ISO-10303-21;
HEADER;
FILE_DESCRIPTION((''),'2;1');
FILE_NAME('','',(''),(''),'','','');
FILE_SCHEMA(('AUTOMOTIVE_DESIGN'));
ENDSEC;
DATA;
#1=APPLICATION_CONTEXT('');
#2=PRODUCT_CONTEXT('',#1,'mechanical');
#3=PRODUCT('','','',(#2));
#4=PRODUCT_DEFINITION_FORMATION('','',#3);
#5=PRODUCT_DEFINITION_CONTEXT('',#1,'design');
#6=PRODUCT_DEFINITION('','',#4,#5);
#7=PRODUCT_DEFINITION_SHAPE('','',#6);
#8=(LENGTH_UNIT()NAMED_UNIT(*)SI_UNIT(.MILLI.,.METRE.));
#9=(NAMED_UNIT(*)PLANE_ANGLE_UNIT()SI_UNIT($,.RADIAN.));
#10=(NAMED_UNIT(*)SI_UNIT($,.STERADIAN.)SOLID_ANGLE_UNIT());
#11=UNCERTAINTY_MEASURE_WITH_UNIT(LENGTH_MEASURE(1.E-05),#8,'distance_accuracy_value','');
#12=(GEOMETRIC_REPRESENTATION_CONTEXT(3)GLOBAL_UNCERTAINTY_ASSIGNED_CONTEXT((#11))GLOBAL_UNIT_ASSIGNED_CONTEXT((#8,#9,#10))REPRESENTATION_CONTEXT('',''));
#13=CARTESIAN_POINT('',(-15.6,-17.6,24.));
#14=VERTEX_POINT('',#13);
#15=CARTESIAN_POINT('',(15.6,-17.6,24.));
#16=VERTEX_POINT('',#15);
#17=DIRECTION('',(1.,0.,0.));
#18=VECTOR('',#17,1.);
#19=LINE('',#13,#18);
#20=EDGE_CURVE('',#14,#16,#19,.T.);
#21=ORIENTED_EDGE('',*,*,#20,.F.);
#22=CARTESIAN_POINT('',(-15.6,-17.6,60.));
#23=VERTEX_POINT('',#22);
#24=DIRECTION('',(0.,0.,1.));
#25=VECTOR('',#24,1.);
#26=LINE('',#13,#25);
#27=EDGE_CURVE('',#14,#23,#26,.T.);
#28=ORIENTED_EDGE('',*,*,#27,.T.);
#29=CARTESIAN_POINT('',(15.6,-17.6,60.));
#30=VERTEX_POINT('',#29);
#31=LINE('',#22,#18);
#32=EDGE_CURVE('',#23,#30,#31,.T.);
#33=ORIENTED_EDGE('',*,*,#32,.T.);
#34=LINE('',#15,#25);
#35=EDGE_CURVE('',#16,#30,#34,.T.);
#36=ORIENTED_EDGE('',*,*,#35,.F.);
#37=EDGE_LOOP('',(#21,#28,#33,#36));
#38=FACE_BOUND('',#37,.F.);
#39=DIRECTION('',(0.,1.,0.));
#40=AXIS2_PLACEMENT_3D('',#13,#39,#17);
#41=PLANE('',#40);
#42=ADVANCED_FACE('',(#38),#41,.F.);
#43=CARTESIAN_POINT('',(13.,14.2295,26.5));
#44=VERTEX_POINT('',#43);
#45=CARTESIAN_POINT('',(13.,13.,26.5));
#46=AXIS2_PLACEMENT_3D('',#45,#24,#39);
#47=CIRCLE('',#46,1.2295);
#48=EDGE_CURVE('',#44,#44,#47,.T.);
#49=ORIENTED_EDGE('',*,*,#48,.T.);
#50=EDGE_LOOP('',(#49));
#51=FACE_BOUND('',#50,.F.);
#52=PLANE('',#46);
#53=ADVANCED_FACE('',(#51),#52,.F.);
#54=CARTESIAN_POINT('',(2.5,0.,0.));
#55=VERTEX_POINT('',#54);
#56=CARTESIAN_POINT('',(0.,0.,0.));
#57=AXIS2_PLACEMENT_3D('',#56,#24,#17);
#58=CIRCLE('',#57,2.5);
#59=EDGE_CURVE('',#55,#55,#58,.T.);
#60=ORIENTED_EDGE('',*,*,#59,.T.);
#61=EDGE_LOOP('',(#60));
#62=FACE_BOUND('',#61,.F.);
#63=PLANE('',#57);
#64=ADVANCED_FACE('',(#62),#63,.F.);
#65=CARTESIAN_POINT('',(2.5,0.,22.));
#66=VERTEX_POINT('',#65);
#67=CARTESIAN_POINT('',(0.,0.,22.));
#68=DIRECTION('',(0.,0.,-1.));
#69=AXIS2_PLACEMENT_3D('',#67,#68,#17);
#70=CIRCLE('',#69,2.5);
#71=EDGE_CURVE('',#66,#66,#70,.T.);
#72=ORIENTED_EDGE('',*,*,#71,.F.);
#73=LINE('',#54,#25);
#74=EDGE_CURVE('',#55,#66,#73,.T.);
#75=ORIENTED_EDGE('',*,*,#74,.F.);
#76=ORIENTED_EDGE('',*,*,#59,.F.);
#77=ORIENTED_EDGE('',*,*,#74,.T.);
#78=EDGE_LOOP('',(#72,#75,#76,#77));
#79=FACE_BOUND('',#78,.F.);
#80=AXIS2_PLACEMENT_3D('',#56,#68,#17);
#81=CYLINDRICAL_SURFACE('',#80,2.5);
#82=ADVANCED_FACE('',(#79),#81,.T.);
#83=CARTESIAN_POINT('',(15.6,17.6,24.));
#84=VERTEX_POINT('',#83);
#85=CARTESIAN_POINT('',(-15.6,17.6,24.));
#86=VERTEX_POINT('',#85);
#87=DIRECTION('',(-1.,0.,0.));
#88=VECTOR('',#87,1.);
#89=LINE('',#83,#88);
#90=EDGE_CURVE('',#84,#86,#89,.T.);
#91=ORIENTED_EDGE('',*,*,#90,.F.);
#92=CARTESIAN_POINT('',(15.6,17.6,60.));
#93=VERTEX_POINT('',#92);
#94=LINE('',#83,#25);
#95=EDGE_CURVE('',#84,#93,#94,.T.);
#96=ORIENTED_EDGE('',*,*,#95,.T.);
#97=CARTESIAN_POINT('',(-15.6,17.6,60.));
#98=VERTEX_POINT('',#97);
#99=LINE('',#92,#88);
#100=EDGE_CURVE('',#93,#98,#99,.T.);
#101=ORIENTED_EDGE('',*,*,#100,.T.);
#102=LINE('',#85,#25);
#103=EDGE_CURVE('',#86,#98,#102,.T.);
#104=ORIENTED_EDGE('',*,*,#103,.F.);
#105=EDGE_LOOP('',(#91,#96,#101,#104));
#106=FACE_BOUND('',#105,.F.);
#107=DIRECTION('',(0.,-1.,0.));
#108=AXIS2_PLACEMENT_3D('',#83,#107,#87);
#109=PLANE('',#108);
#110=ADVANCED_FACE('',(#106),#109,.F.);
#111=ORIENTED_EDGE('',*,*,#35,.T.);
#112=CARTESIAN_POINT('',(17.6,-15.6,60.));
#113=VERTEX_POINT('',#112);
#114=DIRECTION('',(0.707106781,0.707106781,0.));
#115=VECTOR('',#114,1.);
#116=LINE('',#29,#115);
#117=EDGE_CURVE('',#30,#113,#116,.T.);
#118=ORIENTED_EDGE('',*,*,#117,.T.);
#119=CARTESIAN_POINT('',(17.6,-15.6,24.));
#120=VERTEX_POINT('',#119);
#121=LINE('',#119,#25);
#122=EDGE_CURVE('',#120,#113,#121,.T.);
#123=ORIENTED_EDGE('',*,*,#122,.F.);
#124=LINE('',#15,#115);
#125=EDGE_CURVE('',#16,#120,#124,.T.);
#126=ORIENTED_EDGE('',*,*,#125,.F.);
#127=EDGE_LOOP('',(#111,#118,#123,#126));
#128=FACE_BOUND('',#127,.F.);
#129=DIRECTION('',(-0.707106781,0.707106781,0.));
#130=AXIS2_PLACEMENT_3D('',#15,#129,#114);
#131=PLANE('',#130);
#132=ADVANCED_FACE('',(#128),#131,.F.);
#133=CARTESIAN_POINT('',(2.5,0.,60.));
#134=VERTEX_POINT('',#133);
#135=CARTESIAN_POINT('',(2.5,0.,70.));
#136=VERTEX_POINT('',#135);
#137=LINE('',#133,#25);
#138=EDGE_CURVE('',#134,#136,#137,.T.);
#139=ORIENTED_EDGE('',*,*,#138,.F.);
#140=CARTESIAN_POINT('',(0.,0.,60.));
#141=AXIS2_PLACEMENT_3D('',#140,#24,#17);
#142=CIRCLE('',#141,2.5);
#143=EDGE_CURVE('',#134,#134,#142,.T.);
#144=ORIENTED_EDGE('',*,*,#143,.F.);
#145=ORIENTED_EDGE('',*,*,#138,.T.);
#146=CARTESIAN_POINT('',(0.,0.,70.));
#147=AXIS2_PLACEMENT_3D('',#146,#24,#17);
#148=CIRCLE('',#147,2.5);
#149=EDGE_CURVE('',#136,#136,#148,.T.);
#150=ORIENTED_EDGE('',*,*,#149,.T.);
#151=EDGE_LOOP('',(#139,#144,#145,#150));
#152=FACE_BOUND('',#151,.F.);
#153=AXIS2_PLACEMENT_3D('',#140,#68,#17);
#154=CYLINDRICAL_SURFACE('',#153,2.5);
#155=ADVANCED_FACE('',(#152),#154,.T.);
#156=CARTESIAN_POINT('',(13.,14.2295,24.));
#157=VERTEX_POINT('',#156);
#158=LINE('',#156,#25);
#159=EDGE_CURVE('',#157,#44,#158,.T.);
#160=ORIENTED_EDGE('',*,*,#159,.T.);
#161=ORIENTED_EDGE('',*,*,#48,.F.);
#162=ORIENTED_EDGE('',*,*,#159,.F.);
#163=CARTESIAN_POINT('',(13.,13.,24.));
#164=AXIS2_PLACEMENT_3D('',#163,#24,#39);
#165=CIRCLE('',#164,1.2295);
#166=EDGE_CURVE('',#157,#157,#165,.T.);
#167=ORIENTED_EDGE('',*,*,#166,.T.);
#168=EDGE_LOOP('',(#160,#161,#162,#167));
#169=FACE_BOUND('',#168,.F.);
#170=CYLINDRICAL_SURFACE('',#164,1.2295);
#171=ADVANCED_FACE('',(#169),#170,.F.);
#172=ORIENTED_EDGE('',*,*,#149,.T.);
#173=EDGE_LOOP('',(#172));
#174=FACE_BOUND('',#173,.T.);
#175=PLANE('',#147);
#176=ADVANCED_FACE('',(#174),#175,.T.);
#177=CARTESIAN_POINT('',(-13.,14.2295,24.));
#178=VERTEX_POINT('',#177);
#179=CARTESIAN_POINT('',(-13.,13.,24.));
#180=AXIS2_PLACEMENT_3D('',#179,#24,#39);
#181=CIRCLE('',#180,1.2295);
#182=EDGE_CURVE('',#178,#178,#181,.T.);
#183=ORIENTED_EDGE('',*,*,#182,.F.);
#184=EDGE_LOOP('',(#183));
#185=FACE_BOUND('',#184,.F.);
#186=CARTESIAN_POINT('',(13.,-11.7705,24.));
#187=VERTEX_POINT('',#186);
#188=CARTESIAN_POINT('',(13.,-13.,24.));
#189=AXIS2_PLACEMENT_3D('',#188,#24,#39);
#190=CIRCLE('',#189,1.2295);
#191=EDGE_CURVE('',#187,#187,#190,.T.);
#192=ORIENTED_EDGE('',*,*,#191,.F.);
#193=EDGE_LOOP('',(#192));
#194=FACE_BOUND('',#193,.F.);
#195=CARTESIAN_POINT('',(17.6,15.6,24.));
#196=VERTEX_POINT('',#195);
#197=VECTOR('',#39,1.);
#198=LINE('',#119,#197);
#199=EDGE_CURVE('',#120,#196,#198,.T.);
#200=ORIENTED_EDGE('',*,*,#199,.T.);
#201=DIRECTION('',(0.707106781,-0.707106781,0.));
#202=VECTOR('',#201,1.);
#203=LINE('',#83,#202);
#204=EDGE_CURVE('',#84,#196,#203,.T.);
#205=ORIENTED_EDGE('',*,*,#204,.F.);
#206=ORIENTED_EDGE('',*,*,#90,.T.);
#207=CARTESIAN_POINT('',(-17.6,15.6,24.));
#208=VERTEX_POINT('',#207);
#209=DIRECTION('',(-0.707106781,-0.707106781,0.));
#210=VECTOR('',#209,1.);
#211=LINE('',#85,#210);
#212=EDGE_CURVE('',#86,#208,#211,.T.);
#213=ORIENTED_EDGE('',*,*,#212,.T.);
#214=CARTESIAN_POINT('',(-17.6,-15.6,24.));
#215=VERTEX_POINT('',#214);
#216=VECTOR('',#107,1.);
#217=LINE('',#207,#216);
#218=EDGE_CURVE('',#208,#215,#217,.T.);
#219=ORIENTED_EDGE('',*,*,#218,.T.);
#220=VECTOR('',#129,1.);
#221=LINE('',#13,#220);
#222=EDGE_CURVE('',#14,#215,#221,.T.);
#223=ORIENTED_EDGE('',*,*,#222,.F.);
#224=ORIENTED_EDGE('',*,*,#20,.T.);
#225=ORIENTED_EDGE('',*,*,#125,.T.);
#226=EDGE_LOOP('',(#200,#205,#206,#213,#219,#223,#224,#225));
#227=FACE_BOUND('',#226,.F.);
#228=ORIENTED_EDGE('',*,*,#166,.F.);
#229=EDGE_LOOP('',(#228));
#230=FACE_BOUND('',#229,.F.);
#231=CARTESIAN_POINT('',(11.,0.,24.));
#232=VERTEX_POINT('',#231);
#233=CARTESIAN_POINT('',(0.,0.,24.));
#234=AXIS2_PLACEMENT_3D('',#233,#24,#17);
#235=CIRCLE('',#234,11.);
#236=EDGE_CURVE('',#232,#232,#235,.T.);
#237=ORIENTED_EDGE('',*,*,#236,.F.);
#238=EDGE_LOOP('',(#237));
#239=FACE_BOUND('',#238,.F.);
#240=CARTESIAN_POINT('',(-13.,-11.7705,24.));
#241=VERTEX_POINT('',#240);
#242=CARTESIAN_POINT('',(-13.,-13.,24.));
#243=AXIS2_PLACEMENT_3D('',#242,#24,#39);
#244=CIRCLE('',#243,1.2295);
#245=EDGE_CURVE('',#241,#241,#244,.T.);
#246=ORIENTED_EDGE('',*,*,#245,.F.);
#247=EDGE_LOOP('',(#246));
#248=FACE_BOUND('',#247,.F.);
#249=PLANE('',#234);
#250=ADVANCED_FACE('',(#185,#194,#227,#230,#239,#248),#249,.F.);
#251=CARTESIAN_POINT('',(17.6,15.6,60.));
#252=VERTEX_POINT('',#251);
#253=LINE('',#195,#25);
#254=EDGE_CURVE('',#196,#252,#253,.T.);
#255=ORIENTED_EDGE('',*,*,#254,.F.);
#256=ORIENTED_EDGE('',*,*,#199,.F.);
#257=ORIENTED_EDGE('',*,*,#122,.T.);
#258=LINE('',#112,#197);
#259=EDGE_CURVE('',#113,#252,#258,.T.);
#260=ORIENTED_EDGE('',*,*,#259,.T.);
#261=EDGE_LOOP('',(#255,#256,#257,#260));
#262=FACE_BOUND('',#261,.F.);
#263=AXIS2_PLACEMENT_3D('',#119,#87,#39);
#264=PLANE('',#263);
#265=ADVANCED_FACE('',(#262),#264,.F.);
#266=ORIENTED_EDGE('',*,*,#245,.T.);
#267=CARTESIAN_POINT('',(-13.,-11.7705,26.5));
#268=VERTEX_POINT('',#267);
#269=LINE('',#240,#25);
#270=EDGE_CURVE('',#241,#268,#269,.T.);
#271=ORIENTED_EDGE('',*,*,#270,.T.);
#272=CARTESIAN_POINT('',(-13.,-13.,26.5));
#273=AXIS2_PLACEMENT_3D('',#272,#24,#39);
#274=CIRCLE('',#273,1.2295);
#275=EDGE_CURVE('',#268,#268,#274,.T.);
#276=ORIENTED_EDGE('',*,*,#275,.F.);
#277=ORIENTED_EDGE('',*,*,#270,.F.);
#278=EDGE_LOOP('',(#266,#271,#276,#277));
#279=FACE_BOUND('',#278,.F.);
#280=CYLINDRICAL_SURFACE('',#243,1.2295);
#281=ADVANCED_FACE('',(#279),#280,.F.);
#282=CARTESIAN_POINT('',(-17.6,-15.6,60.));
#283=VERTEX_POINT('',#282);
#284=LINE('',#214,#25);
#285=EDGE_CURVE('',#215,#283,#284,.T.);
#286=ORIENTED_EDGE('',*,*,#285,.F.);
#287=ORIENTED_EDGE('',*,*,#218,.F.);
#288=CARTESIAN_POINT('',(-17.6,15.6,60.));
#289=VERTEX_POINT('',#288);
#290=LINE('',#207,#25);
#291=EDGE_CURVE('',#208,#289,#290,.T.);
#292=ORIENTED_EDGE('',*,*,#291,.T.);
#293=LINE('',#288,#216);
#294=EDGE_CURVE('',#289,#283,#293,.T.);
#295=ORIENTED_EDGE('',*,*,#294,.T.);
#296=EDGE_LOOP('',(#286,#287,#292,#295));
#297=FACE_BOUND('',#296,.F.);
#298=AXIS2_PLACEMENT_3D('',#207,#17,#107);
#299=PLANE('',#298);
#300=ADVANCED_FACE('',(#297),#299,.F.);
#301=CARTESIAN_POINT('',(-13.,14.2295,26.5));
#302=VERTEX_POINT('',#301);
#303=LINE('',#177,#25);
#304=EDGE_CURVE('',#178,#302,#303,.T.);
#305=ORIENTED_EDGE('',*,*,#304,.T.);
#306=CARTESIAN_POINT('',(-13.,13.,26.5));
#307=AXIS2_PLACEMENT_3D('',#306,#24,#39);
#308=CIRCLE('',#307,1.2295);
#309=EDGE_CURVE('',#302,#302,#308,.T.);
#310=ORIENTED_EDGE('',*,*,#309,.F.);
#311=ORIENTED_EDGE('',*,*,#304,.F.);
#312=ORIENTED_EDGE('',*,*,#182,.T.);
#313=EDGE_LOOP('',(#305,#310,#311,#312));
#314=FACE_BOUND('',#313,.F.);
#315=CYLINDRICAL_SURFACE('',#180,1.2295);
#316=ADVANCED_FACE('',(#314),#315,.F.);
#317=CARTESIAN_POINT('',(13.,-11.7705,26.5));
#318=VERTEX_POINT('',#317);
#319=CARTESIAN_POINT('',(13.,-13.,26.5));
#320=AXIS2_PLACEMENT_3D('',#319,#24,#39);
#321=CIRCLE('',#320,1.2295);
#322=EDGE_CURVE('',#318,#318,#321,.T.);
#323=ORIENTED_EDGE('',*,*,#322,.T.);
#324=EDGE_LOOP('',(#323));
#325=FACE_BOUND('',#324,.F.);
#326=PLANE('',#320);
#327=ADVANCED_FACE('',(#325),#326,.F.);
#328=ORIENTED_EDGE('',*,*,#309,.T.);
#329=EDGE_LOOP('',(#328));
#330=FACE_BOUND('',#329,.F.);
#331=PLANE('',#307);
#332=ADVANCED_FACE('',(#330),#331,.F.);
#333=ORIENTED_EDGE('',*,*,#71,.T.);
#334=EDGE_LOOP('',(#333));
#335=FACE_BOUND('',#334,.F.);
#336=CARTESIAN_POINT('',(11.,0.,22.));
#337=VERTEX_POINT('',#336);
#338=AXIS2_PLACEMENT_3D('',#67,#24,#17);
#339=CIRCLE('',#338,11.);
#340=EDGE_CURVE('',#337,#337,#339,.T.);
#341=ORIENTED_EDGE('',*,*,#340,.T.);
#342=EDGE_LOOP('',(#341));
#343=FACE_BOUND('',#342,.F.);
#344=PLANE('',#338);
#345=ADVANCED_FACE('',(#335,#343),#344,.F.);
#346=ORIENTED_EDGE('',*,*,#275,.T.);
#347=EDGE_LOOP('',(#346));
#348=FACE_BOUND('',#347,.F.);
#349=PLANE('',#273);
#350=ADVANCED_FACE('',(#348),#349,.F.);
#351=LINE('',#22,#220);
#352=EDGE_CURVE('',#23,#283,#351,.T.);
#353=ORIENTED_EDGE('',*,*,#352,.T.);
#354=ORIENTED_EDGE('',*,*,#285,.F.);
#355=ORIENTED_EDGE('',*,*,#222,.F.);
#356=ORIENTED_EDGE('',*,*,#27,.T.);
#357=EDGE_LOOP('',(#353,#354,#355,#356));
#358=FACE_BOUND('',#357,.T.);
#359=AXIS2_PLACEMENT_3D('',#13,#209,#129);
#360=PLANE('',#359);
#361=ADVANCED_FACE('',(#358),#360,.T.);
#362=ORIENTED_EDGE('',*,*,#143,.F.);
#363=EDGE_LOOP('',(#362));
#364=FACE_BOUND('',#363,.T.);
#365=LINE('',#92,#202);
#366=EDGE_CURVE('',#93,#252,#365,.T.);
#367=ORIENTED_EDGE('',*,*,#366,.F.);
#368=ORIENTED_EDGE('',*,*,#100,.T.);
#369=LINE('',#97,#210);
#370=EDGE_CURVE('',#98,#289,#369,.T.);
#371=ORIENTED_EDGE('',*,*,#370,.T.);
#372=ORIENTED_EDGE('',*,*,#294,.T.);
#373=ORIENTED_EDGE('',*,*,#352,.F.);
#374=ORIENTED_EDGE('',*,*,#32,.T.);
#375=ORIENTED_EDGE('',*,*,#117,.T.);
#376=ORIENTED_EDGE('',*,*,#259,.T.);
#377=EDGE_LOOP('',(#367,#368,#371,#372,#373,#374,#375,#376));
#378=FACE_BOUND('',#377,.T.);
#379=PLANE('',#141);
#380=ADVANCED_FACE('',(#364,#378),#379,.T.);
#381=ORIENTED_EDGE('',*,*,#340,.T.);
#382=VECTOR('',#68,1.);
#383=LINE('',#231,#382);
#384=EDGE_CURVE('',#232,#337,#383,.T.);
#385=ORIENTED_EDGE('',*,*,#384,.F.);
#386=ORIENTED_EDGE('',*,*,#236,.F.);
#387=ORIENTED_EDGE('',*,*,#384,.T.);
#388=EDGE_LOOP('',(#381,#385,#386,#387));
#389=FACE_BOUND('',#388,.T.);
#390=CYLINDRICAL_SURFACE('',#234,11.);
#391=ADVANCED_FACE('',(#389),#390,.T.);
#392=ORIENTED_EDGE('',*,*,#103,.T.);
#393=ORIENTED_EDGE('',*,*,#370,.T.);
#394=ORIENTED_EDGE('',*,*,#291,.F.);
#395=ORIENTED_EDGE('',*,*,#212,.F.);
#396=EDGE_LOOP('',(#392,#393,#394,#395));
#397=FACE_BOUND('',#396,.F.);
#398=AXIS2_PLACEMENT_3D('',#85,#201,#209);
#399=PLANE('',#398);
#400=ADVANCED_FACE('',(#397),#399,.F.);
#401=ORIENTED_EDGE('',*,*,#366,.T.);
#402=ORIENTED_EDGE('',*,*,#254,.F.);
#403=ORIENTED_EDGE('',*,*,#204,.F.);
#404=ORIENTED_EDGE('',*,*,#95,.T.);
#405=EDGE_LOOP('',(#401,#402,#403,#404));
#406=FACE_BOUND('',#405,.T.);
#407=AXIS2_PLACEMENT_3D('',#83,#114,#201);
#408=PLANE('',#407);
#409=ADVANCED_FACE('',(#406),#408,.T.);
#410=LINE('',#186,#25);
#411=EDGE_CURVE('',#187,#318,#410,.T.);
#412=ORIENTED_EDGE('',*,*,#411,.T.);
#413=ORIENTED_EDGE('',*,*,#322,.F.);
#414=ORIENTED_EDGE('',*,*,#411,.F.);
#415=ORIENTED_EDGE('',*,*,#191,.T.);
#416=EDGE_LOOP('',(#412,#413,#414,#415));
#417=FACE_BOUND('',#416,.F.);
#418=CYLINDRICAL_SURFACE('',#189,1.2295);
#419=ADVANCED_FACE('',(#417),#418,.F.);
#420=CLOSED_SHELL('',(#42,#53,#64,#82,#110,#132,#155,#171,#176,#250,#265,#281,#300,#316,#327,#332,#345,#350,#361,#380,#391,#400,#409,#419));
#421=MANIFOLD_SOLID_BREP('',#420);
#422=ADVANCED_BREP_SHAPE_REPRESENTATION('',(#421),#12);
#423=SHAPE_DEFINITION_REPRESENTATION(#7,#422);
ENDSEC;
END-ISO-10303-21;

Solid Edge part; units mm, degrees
sketch "Sketch1" plane through (0, 0, 0) normal (0, 0, 1) x (1, 0, 0)
  circle A0 centre (0, 0) radius 2.5
extrude "Protrusion1" add sketch "Sketch1" along normal blind 24
sketch "Sketch2" plane through (0, 0, 24) normal (0, 0, 1) x (1, 0, 0)
  circle A0 centre (0, 0) radius 11
extrude "ExtrudedProtrusion_2" add sketch "Sketch2" against normal blind 2
sketch "Sketch3" plane through (0, 0, 24) normal (0, 0, 1) x (1, 0, 0)
  line L0 (-15.6, -17.6) -> (15.6, -17.6)
  line L1 (15.6, -17.6) -> (17.6, -15.6)
  line L2 (17.6, -15.6) -> (17.6, 15.6)
  line L3 (15.6, 17.6) -> (17.6, 15.6)
  line L4 (15.6, 17.6) -> (-15.6, 17.6)
  line L5 (-15.6, 17.6) -> (-17.6, 15.6)
  line L6 (-17.6, 15.6) -> (-17.6, -15.6)
  line L7 (-15.6, -17.6) -> (-17.6, -15.6)
extrude "ExtrudedProtrusion_3" add sketch "Sketch3" along normal blind 36
hole "Hole_1" at (-13, -13, 24) direction (0, 0, 1) diameter 2.459 depth 2.5 thread major 3 thread length 2.5
hole "Hole1" at (-13, 13, 24) direction (0, 0, 1) diameter 2.459 depth 2.5 thread major 3 thread length 2.5
hole "Hole2" at (13, 13, 24) direction (0, 0, 1) diameter 2.459 depth 2.5 thread major 3 thread length 2.5
hole "Hole3" at (13, -13, 24) direction (0, 0, 1) diameter 2.459 depth 2.5 thread major 3 thread length 2.5
sketch "Sketch4" plane through (0, 0, 60) normal (0, 0, 1) x (1, 0, 0)
  circle A0 centre (0, 0) radius 2.5
extrude "ExtrudedProtrusion_4" add sketch "Sketch4" along normal blind 10
